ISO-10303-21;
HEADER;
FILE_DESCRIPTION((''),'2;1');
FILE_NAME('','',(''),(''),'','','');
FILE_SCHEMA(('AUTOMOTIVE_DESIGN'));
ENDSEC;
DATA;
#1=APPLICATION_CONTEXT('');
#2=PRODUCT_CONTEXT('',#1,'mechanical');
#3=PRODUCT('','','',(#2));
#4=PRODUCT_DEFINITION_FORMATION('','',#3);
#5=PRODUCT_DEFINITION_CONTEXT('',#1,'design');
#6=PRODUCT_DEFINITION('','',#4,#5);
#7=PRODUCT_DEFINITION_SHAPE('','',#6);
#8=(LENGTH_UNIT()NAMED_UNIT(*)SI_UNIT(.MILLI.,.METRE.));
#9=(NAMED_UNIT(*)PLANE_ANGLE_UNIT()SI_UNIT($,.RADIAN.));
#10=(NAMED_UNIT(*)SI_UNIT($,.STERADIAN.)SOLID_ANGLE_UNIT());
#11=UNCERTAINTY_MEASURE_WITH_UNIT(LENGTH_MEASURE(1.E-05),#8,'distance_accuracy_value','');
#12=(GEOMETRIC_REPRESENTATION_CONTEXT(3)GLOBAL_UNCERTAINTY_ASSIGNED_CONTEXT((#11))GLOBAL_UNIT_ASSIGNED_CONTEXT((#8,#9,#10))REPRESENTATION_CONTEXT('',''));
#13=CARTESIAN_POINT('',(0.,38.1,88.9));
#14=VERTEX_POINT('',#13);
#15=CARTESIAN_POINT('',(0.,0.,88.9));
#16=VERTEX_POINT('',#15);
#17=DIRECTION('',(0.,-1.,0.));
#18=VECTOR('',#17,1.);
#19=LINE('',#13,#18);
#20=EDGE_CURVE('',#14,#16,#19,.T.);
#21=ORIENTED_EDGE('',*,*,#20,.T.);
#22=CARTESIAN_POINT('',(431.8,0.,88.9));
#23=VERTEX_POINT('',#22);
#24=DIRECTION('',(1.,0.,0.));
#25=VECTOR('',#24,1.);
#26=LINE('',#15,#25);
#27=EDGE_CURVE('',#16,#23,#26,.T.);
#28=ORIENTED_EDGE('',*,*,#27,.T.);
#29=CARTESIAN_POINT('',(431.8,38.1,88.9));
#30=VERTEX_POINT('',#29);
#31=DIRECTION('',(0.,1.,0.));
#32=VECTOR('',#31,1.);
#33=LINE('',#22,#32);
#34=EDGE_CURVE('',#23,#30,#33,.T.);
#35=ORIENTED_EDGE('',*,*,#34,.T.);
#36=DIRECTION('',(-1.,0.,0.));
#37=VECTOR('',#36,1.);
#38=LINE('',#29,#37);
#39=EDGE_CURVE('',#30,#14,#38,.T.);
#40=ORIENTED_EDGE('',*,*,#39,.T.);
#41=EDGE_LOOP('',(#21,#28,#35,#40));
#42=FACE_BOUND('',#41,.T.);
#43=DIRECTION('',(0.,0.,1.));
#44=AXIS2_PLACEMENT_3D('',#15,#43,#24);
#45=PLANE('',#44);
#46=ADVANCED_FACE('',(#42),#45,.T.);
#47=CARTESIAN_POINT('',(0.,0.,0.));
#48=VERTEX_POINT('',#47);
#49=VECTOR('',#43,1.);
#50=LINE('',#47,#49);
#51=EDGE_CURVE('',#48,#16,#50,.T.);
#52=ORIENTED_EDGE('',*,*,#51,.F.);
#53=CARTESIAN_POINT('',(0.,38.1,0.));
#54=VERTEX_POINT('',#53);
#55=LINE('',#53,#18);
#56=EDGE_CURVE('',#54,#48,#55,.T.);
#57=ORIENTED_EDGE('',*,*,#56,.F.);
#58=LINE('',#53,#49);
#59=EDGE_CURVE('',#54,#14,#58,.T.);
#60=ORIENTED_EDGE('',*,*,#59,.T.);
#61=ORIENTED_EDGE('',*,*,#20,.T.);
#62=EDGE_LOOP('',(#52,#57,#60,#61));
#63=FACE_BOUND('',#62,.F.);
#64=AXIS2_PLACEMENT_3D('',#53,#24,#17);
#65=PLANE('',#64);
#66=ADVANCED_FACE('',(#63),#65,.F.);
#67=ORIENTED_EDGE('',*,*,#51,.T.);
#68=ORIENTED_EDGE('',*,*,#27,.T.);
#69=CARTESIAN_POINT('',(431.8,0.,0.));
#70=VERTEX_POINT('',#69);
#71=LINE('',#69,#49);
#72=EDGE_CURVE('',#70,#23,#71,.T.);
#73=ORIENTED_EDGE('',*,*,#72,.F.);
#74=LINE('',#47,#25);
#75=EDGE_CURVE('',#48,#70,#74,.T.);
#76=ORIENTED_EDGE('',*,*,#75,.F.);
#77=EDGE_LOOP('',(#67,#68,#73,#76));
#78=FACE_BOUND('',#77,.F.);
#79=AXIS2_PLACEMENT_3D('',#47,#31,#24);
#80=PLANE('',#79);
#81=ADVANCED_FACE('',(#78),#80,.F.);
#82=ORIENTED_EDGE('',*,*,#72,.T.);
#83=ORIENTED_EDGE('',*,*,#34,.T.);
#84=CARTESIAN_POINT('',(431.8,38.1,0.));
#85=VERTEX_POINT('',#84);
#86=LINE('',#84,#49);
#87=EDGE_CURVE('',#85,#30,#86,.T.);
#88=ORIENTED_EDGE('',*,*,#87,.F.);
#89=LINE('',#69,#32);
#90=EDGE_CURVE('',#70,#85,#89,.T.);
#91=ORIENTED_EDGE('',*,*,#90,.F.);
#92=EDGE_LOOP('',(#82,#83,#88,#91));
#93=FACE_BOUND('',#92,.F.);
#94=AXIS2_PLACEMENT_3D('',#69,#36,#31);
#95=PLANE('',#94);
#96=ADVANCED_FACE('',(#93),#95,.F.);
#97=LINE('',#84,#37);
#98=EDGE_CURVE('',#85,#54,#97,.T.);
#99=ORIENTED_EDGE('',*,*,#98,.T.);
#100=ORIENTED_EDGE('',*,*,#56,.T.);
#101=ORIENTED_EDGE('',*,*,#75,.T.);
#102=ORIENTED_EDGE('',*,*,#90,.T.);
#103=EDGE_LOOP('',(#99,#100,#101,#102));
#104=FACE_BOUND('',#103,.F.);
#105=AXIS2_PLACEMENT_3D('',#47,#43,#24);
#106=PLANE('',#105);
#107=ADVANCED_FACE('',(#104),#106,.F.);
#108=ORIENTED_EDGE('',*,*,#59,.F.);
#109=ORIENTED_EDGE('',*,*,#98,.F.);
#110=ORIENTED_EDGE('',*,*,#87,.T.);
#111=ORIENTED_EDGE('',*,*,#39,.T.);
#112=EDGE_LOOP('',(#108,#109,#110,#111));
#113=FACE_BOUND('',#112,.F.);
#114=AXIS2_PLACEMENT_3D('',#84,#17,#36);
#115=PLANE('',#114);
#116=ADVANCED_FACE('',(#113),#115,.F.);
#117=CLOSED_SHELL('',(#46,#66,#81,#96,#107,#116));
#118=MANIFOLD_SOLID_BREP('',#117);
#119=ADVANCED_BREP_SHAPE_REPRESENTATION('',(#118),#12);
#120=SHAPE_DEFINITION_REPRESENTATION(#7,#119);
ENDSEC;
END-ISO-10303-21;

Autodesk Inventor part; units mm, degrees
ref_plane "YZ Plane" through (0, 0, 0) normal (1, 0, 0) x (0, 1, 0)
ref_plane "XZ Plane" through (0, 0, 0) normal (0, 1, 0) x (-1, 0, 0)
ref_plane "XY Plane" through (0, 0, 0) normal (0, 0, 1) x (1, 0, 0)
sketch "Sketch1" plane through (0, 0, 0) normal (0, 0, 1) x (1, 0, 0)
  line L0 (0, 0) -> (431.8, 0)
  line L1 (431.8, 0) -> (431.8, 38.1)
  line L2 (431.8, 38.1) -> (0, 38.1)
  line L3 (0, 38.1) -> (0, 0)
  dimension "d0" = 431.8
  dimension "d1" = 38.1
extrude "Extrusion1" add sketch "Sketch1" along normal blind 88.9
properties part number "BA02" material "Wood (Oak)"
